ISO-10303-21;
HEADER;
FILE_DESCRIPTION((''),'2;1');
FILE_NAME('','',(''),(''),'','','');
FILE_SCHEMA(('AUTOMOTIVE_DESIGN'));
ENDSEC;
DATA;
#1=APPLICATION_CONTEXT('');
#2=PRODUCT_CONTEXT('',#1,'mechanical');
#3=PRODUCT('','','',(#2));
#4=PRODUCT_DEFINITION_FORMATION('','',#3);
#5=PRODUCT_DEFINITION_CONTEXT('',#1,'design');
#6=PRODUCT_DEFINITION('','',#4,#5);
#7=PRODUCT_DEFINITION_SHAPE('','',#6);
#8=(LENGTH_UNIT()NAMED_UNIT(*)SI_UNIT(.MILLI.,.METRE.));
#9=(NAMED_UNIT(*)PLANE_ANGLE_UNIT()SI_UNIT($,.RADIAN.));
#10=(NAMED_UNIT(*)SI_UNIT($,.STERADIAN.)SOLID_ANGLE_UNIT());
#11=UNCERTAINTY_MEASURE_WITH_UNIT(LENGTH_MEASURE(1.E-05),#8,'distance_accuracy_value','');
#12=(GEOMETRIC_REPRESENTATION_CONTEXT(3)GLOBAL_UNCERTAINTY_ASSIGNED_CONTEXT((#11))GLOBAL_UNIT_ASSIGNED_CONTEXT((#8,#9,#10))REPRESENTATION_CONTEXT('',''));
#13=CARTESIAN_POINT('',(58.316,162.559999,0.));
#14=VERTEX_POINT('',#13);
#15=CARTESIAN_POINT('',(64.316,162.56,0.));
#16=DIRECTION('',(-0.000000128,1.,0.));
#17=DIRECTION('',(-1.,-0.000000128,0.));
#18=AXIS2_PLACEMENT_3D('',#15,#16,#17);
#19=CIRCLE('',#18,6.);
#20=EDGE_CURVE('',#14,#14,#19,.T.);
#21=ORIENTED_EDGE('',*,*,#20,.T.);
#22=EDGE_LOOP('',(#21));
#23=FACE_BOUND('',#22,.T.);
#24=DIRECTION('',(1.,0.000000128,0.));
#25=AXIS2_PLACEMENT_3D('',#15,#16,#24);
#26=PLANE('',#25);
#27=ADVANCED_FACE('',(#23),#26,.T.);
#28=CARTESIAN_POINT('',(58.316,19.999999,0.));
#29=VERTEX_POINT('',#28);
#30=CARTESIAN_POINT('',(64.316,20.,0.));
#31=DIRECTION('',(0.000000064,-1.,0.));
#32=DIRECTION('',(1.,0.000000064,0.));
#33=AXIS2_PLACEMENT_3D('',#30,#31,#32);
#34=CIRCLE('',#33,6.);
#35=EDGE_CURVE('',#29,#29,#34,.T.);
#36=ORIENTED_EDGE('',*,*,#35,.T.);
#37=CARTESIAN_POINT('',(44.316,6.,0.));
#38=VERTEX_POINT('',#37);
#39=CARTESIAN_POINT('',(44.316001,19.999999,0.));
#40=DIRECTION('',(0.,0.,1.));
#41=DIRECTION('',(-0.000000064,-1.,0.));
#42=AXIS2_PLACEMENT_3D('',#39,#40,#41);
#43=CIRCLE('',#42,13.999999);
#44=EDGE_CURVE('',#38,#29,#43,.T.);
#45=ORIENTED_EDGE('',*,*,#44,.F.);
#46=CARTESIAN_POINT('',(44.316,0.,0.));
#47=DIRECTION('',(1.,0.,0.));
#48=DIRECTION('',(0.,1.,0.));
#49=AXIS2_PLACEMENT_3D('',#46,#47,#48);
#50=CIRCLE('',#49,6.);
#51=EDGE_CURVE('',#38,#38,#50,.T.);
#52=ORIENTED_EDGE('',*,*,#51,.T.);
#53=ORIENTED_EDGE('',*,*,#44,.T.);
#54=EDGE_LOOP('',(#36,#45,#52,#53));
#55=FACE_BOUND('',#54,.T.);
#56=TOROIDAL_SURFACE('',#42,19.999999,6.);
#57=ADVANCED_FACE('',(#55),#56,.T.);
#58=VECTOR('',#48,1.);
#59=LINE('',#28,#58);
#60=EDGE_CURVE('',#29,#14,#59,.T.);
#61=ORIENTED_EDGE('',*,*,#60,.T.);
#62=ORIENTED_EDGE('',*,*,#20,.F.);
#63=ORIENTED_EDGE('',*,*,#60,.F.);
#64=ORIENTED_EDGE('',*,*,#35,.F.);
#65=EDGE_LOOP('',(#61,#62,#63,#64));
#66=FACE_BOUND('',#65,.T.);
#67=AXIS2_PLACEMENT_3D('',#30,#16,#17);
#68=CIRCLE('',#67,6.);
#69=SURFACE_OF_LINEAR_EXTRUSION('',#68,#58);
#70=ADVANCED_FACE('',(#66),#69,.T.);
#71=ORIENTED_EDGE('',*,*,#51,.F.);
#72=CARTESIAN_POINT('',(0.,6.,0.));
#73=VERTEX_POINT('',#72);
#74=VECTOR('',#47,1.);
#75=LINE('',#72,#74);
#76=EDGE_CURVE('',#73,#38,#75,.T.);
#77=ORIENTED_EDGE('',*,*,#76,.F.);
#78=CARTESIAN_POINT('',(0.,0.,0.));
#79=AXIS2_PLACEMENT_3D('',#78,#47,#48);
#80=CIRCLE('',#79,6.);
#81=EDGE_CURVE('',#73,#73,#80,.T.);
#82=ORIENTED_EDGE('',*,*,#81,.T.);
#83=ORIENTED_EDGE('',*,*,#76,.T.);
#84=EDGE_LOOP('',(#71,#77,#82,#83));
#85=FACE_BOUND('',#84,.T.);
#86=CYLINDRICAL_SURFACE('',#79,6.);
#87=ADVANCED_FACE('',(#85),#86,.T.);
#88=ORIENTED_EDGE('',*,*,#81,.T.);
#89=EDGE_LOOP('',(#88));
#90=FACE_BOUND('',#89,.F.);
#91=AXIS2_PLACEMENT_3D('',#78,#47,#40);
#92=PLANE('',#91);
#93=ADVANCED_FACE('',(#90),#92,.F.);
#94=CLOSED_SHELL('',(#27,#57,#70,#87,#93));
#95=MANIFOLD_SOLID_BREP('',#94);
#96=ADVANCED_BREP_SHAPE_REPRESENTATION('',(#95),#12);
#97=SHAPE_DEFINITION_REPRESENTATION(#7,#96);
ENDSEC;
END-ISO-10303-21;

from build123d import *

# Parameters (mm, degrees)
F1_R = 6


with BuildPart() as f2:
    # F2: sweep along a path in F0
    with BuildLine(Plane.XY) as f2_path:
        Line((0, 0), (44.316, 0))
        ThreePointArc((44.316, 0), (58.458136, 5.857864), (64.316, 20))
        Line((64.316, 20), (64.316, 162.56))
    # F1 (on Right) → F2 (sweep)
    with BuildSketch(Plane.YZ):
        Circle(F1_R)
    sweep(path=f2_path.line)


solid = f2.part
